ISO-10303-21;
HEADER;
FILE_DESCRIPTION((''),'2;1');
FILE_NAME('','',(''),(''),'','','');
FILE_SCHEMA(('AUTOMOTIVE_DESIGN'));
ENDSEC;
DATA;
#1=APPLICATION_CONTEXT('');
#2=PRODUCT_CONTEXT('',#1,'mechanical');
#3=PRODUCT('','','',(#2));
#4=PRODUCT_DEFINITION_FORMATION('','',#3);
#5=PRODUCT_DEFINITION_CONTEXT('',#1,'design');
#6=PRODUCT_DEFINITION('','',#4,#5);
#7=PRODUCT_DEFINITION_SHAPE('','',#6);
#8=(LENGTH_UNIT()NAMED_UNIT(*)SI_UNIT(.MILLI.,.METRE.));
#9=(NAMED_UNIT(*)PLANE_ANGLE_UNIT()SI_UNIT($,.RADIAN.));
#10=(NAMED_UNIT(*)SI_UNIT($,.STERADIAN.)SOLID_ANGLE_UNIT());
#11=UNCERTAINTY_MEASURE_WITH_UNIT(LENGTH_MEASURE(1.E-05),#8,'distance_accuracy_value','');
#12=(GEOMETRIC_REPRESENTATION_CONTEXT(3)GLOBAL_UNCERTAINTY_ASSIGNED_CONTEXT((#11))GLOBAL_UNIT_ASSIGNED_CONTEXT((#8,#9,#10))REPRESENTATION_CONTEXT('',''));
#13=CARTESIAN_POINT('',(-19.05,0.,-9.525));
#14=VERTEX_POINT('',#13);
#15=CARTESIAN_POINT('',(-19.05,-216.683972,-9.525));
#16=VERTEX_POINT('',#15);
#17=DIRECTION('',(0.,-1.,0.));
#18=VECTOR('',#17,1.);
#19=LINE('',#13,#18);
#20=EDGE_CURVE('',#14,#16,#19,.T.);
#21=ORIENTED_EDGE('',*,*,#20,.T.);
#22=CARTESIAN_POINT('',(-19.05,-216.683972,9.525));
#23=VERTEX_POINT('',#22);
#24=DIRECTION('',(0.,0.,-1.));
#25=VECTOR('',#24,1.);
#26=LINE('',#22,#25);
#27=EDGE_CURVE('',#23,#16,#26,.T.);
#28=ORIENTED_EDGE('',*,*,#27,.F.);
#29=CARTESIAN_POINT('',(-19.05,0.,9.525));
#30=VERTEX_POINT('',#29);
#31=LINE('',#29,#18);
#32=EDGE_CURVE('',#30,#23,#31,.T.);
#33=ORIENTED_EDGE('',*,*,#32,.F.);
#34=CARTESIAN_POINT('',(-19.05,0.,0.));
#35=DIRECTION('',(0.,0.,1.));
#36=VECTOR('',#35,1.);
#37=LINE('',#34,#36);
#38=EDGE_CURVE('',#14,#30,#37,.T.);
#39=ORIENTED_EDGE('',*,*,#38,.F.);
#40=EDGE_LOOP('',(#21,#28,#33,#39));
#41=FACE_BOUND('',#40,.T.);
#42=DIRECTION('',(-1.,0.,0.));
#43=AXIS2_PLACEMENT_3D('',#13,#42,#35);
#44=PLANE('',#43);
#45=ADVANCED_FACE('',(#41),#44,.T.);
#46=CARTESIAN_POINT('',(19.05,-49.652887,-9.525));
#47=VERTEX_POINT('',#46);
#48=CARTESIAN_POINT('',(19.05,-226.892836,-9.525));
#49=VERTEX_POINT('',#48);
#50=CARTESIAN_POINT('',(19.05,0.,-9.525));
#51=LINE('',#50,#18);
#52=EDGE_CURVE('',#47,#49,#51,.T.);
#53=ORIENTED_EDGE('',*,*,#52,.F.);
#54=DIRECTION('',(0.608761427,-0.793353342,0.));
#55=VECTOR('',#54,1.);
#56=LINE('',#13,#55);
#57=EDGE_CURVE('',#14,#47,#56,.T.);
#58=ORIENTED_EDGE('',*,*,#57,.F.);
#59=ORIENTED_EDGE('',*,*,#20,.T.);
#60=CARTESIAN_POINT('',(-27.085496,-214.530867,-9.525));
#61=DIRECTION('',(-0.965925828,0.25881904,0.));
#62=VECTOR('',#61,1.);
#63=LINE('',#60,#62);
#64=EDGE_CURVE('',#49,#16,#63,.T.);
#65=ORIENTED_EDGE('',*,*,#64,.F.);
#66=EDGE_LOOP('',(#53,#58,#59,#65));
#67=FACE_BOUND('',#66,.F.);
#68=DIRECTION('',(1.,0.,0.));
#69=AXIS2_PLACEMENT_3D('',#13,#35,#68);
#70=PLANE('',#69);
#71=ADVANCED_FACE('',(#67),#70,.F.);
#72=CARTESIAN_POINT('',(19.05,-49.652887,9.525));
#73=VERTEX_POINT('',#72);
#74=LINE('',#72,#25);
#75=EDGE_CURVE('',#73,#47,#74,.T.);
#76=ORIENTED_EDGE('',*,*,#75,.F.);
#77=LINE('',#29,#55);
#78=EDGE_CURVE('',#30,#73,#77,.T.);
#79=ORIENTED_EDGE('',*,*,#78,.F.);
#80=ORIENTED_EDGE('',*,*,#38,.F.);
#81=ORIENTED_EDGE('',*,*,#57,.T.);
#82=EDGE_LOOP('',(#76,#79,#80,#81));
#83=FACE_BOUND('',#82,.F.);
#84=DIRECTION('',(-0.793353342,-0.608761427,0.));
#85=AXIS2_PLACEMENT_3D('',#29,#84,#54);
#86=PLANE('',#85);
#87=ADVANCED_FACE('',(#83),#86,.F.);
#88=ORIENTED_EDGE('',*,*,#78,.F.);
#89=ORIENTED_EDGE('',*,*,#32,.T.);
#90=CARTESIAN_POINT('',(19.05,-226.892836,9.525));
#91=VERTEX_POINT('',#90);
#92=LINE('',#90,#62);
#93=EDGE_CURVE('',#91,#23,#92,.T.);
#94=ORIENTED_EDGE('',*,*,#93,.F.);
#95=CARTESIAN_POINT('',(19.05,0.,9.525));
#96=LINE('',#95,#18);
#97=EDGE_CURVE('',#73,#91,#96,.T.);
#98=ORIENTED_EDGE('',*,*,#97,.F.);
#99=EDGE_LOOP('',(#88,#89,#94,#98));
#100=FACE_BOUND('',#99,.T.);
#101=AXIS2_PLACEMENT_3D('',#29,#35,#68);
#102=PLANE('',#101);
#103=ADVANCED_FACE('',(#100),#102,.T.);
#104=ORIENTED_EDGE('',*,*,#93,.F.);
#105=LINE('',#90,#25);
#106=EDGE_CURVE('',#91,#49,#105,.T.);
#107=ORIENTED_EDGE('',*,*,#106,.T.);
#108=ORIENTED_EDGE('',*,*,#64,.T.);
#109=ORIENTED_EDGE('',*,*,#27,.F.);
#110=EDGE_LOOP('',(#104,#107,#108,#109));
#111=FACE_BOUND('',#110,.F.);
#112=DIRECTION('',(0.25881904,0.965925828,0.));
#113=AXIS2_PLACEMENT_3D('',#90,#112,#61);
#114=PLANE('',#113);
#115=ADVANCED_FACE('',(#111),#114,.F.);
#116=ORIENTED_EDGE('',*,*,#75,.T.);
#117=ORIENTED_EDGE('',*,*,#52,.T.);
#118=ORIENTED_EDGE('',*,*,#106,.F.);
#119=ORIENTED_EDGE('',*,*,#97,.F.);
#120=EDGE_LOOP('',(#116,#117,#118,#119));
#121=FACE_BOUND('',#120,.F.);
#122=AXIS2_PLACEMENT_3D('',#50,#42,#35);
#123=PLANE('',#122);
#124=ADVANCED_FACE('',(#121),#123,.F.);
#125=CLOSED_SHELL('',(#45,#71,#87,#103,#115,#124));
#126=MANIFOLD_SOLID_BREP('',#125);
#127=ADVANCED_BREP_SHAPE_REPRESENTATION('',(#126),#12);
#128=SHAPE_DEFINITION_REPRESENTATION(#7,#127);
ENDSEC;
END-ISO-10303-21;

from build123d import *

# Parameters (mm, degrees)
F0_W     = 38.1
F0_H     = 19.05
F1_DEPTH = 508
F3_DEPTH = 19.051


with BuildPart() as f1:
    # F0 (on Front) → F1 (new body)
    with BuildSketch(Plane.XZ):
        Rectangle(F0_W, F0_H)
    extrude(amount=F1_DEPTH)

    # F2 (on face) → F3 (cut, through all)
    with BuildSketch(Plane.XY.offset(9.525)):
        Polygon((19.05, 0), (-19.05, 0), (19.05, -49.652887), align=None)
        Polygon((19.05, -226.892836), (-19.05, -216.683972), (-19.05, -256.127995), (-19.05, -433.367944), (-19.05, -508), (19.05, -508), (19.05, -483.020831), (19.05, -266.336859), align=None)
    extrude(amount=-F3_DEPTH, mode=Mode.SUBTRACT)


solid = f1.part
